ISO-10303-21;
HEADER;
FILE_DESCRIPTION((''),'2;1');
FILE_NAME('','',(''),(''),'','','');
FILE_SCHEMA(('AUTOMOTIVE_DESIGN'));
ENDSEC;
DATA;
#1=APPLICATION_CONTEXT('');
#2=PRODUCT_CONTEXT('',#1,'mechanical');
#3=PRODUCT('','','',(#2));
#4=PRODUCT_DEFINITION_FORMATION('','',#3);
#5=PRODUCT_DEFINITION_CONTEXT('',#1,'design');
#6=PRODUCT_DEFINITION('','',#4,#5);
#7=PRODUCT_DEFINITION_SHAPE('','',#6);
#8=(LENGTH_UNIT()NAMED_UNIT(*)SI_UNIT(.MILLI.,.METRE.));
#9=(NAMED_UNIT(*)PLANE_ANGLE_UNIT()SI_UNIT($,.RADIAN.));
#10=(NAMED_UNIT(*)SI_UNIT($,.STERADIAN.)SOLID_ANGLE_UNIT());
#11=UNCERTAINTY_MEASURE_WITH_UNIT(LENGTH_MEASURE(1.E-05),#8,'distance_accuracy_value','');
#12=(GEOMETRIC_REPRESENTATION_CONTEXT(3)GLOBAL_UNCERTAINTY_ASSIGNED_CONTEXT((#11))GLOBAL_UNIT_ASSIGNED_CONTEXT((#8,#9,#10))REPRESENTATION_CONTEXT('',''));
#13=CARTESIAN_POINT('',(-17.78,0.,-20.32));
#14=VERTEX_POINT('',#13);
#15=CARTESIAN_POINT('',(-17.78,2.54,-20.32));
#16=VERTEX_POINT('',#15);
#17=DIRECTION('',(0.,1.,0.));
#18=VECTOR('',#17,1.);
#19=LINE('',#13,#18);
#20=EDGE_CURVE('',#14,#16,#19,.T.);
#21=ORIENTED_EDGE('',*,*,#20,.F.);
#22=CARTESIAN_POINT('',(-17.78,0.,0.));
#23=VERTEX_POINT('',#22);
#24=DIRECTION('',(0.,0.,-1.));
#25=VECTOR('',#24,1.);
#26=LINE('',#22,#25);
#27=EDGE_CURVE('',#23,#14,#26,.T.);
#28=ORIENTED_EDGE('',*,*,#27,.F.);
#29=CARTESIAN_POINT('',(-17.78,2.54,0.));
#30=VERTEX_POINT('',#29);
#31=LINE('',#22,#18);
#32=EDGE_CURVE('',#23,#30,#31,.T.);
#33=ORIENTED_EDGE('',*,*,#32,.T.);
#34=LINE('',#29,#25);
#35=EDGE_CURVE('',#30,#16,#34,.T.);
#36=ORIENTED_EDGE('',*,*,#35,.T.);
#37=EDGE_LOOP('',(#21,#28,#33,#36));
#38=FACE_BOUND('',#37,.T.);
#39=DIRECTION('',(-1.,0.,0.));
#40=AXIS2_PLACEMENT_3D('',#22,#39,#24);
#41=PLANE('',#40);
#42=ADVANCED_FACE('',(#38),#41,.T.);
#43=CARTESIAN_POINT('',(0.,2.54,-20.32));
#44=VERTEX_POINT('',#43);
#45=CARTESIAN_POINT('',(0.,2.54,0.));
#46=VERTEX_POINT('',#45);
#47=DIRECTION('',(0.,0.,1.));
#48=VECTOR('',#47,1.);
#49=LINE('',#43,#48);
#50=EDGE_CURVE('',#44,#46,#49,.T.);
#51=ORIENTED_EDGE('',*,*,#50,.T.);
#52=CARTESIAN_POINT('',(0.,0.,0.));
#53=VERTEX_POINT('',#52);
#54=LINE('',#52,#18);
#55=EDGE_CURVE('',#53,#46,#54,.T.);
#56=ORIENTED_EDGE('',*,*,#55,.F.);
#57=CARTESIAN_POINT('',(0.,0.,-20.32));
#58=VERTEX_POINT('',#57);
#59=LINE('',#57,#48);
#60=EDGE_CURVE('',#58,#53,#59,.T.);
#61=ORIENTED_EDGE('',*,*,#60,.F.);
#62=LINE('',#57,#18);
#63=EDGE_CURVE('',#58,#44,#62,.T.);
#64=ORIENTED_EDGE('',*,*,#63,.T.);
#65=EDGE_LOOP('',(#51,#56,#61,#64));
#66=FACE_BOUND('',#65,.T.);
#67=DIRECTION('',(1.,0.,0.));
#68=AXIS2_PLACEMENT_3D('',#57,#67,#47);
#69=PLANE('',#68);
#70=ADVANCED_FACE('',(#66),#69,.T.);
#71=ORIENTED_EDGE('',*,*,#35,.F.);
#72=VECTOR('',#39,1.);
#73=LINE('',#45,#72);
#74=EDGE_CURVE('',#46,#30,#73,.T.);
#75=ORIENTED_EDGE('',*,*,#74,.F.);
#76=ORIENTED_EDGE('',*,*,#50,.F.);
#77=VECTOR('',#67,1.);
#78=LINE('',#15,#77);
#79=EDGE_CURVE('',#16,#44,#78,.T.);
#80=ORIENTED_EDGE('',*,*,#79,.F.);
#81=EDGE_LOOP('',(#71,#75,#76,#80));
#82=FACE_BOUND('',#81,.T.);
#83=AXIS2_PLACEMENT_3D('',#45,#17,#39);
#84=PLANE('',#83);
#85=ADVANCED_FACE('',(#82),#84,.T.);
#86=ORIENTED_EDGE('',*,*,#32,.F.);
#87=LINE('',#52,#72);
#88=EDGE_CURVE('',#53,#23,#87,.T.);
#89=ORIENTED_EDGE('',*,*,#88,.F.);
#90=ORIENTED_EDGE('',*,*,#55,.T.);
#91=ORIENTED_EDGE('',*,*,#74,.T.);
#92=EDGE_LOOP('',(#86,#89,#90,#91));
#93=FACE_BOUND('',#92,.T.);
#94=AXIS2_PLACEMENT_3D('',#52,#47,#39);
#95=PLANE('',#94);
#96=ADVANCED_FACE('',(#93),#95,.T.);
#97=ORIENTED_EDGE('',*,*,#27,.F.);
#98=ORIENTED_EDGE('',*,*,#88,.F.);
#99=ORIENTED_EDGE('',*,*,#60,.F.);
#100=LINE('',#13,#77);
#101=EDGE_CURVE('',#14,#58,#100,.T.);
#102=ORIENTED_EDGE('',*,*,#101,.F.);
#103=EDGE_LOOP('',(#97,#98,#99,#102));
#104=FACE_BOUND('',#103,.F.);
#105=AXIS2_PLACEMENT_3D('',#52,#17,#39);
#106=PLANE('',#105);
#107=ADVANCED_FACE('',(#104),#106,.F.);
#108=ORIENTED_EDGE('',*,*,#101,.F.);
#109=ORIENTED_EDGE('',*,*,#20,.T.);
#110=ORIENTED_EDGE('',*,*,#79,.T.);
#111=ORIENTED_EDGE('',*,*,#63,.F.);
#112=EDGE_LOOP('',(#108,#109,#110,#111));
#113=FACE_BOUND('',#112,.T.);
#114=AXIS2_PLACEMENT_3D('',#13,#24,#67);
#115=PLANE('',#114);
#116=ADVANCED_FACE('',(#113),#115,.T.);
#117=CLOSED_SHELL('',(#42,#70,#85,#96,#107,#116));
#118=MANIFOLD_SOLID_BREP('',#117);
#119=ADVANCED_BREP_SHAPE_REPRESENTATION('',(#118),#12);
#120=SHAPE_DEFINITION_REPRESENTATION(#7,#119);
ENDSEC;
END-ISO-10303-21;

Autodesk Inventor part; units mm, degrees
ref_plane "YZ Plane" through (0, 0, 0) normal (1, 0, 0) x (0, 1, 0)
ref_plane "XZ Plane" through (0, 0, 0) normal (0, 1, 0) x (-1, 0, 0)
ref_plane "XY Plane" through (0, 0, 0) normal (0, 0, 1) x (1, 0, 0)
sketch "Sketch1" plane through (0, 0, 0) normal (0, 1, 0) x (-1, 0, 0)
  line L0 (0, 0) -> (17.78, 0)
  line L1 (17.78, 0) -> (17.78, -20.32)
  line L2 (17.78, -20.32) -> (0, -20.32)
  line L3 (0, -20.32) -> (0, 0)
  dimension "d0" = 17.78
  dimension "d1" = 20.32
extrude "Extrusion1" add sketch "Sketch1" along normal blind 2.54
sketch "Sketch2" plane through (0, 2.54, 0) normal (0, 1, 0) x (1, 0, 0)
  point P0 (0, 0)
sketch "Sketch3" plane through (0, 2.54, 0) normal (0, 1, 0) x (1, 0, 0)
  line L0 (-15.4015, 15.2985) -> (-1.9574, 15.2985) construction
  line L1 (-1.9574, 15.2985) -> (-1.9574, 1.3393) construction
  line L2 (-1.9574, 1.3393) -> (-15.4015, 1.3393) construction
  line L3 (-15.4015, 1.3393) -> (-15.4015, 15.2985) construction
  point P0 (0, 0)
properties part number "24_12_step_down"
